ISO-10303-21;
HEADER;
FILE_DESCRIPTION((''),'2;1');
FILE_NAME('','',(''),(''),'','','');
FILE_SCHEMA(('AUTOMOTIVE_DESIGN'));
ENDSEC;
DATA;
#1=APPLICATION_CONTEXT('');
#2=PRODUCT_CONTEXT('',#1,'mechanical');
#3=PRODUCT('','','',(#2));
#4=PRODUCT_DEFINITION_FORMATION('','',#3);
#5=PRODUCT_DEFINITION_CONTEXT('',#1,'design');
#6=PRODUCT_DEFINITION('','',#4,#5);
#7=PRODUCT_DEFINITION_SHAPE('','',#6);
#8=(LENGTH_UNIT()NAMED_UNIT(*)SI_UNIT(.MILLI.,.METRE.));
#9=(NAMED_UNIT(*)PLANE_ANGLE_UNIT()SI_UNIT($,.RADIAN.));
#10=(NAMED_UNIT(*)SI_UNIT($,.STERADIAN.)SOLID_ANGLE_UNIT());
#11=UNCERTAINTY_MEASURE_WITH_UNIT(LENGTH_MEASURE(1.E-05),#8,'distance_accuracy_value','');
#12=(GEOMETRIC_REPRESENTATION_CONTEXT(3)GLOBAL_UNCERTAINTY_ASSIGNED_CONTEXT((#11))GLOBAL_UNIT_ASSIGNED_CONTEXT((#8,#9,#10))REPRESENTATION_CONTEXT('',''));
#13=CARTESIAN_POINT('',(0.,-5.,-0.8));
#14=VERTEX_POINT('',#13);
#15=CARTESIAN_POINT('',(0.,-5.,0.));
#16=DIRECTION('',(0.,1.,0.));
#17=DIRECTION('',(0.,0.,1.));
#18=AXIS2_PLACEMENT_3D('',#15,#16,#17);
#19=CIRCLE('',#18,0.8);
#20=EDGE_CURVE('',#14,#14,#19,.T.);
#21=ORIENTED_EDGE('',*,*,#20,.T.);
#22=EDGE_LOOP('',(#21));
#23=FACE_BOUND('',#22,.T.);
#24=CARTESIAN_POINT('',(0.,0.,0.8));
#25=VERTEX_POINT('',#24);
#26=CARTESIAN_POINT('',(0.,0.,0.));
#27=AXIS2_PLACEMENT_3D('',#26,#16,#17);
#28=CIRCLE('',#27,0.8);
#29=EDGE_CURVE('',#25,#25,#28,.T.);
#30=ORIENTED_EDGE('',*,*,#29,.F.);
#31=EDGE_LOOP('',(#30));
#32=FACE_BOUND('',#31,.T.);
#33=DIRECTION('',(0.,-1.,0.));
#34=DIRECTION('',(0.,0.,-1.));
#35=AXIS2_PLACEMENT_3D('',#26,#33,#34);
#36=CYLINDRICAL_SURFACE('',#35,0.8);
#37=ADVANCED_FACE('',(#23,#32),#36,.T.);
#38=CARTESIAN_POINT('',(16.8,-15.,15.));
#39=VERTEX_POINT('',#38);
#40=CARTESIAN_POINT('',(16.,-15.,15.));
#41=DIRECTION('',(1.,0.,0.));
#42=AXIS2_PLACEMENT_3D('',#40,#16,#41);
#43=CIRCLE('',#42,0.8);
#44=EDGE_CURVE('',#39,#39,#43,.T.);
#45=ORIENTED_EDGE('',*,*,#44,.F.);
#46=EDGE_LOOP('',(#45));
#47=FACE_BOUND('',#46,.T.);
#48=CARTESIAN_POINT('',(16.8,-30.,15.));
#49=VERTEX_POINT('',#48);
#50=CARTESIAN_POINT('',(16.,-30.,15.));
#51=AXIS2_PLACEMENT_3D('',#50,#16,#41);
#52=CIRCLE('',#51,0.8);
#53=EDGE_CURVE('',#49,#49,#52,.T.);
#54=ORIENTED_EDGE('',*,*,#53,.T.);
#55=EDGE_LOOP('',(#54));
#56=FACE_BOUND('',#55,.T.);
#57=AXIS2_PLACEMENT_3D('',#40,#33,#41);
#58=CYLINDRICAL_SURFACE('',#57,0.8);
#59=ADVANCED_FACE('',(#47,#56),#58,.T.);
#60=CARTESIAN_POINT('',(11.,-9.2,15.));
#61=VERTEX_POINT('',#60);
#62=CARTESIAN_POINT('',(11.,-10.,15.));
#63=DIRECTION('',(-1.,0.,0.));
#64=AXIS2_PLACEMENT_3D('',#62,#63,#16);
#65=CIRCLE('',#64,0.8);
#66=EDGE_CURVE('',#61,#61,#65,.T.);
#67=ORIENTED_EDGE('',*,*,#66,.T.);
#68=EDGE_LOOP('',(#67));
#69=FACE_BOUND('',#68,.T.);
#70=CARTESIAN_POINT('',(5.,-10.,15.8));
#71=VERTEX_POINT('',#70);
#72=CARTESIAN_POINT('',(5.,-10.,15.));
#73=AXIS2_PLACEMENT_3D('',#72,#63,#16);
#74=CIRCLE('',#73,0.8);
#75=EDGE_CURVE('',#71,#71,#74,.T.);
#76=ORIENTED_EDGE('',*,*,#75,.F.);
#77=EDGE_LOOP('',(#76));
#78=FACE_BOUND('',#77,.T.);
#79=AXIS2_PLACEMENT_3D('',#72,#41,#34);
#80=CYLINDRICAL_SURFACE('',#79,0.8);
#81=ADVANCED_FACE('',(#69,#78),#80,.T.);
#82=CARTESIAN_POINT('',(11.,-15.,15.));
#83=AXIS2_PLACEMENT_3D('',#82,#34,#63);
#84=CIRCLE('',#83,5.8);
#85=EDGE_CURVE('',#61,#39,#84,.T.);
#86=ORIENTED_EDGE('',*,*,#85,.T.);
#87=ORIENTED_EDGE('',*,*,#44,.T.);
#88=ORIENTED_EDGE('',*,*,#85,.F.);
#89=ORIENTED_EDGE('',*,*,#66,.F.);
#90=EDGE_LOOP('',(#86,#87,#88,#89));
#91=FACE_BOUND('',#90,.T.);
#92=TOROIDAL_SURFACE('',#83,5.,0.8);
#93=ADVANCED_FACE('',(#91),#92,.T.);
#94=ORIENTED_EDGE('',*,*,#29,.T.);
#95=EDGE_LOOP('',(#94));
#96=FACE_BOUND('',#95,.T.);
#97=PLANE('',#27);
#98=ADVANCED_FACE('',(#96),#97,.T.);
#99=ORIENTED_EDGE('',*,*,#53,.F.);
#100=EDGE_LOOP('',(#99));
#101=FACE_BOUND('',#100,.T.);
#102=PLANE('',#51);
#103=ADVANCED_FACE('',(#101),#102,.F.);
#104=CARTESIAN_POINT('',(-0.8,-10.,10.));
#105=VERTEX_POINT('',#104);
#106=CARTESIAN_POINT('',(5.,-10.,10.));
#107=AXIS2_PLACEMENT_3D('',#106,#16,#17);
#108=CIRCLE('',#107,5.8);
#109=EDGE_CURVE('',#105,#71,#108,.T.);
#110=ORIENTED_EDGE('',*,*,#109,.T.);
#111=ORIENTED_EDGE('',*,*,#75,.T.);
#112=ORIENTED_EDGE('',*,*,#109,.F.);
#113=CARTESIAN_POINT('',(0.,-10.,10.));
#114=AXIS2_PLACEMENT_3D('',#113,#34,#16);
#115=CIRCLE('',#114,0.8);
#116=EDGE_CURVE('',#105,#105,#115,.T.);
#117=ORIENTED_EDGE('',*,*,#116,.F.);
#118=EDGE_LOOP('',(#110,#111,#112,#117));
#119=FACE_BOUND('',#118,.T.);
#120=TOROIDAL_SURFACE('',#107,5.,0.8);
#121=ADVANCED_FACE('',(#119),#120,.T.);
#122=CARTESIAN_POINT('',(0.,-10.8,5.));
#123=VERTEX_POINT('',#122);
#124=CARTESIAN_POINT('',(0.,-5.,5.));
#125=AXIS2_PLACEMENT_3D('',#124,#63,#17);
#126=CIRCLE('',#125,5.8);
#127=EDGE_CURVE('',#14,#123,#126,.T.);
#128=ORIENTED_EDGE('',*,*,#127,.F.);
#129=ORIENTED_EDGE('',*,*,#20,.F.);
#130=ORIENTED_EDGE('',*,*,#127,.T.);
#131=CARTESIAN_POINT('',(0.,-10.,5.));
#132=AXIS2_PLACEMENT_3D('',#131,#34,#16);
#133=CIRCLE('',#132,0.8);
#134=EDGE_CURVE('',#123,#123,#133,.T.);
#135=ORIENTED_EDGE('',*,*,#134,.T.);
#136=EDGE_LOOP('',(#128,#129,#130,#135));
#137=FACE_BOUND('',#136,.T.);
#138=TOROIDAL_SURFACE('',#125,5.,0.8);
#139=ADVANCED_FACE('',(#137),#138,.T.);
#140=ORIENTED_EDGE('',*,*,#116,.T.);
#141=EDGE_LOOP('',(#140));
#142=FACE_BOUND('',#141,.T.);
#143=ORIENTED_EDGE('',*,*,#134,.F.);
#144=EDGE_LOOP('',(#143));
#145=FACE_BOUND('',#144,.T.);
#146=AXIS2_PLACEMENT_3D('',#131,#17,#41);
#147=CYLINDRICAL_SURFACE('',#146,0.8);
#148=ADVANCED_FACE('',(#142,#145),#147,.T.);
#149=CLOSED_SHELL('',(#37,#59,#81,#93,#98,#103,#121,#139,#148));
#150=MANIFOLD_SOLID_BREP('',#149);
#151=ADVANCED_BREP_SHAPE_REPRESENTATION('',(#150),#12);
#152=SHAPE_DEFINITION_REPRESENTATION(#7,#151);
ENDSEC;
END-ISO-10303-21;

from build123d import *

# Parameters (mm, degrees)
SKETCH1_R = 0.8


with BuildPart() as part:
    # Sweep1: sweep along a curve in space
    with BuildLine() as sweep1_path:
        Line((0, 0, 0), (0, -5, 0))
        ThreePointArc((0, -5, 0), (0, -8.535533906, 1.464466094), (0, -10, 5))
        Line((0, -10, 5), (0, -10, 10))
        ThreePointArc((0, -10, 10), (1.464466094, -10, 13.535533906), (5, -10, 15))
        Line((5, -10, 15), (11, -10, 15))
        ThreePointArc((11, -10, 15), (14.535533906, -11.464466094, 15), (16, -15, 15))
        Line((16, -15, 15), (16, -30, 15))
    # Sketch1 → Sweep1 (sweep)
    with BuildSketch(Plane(origin=(0, 0, 0), x_dir=(1, 0, 0), z_dir=(0, 1, 0))):
        Circle(SKETCH1_R)
    sweep(path=sweep1_path.line)


solid = part.part
